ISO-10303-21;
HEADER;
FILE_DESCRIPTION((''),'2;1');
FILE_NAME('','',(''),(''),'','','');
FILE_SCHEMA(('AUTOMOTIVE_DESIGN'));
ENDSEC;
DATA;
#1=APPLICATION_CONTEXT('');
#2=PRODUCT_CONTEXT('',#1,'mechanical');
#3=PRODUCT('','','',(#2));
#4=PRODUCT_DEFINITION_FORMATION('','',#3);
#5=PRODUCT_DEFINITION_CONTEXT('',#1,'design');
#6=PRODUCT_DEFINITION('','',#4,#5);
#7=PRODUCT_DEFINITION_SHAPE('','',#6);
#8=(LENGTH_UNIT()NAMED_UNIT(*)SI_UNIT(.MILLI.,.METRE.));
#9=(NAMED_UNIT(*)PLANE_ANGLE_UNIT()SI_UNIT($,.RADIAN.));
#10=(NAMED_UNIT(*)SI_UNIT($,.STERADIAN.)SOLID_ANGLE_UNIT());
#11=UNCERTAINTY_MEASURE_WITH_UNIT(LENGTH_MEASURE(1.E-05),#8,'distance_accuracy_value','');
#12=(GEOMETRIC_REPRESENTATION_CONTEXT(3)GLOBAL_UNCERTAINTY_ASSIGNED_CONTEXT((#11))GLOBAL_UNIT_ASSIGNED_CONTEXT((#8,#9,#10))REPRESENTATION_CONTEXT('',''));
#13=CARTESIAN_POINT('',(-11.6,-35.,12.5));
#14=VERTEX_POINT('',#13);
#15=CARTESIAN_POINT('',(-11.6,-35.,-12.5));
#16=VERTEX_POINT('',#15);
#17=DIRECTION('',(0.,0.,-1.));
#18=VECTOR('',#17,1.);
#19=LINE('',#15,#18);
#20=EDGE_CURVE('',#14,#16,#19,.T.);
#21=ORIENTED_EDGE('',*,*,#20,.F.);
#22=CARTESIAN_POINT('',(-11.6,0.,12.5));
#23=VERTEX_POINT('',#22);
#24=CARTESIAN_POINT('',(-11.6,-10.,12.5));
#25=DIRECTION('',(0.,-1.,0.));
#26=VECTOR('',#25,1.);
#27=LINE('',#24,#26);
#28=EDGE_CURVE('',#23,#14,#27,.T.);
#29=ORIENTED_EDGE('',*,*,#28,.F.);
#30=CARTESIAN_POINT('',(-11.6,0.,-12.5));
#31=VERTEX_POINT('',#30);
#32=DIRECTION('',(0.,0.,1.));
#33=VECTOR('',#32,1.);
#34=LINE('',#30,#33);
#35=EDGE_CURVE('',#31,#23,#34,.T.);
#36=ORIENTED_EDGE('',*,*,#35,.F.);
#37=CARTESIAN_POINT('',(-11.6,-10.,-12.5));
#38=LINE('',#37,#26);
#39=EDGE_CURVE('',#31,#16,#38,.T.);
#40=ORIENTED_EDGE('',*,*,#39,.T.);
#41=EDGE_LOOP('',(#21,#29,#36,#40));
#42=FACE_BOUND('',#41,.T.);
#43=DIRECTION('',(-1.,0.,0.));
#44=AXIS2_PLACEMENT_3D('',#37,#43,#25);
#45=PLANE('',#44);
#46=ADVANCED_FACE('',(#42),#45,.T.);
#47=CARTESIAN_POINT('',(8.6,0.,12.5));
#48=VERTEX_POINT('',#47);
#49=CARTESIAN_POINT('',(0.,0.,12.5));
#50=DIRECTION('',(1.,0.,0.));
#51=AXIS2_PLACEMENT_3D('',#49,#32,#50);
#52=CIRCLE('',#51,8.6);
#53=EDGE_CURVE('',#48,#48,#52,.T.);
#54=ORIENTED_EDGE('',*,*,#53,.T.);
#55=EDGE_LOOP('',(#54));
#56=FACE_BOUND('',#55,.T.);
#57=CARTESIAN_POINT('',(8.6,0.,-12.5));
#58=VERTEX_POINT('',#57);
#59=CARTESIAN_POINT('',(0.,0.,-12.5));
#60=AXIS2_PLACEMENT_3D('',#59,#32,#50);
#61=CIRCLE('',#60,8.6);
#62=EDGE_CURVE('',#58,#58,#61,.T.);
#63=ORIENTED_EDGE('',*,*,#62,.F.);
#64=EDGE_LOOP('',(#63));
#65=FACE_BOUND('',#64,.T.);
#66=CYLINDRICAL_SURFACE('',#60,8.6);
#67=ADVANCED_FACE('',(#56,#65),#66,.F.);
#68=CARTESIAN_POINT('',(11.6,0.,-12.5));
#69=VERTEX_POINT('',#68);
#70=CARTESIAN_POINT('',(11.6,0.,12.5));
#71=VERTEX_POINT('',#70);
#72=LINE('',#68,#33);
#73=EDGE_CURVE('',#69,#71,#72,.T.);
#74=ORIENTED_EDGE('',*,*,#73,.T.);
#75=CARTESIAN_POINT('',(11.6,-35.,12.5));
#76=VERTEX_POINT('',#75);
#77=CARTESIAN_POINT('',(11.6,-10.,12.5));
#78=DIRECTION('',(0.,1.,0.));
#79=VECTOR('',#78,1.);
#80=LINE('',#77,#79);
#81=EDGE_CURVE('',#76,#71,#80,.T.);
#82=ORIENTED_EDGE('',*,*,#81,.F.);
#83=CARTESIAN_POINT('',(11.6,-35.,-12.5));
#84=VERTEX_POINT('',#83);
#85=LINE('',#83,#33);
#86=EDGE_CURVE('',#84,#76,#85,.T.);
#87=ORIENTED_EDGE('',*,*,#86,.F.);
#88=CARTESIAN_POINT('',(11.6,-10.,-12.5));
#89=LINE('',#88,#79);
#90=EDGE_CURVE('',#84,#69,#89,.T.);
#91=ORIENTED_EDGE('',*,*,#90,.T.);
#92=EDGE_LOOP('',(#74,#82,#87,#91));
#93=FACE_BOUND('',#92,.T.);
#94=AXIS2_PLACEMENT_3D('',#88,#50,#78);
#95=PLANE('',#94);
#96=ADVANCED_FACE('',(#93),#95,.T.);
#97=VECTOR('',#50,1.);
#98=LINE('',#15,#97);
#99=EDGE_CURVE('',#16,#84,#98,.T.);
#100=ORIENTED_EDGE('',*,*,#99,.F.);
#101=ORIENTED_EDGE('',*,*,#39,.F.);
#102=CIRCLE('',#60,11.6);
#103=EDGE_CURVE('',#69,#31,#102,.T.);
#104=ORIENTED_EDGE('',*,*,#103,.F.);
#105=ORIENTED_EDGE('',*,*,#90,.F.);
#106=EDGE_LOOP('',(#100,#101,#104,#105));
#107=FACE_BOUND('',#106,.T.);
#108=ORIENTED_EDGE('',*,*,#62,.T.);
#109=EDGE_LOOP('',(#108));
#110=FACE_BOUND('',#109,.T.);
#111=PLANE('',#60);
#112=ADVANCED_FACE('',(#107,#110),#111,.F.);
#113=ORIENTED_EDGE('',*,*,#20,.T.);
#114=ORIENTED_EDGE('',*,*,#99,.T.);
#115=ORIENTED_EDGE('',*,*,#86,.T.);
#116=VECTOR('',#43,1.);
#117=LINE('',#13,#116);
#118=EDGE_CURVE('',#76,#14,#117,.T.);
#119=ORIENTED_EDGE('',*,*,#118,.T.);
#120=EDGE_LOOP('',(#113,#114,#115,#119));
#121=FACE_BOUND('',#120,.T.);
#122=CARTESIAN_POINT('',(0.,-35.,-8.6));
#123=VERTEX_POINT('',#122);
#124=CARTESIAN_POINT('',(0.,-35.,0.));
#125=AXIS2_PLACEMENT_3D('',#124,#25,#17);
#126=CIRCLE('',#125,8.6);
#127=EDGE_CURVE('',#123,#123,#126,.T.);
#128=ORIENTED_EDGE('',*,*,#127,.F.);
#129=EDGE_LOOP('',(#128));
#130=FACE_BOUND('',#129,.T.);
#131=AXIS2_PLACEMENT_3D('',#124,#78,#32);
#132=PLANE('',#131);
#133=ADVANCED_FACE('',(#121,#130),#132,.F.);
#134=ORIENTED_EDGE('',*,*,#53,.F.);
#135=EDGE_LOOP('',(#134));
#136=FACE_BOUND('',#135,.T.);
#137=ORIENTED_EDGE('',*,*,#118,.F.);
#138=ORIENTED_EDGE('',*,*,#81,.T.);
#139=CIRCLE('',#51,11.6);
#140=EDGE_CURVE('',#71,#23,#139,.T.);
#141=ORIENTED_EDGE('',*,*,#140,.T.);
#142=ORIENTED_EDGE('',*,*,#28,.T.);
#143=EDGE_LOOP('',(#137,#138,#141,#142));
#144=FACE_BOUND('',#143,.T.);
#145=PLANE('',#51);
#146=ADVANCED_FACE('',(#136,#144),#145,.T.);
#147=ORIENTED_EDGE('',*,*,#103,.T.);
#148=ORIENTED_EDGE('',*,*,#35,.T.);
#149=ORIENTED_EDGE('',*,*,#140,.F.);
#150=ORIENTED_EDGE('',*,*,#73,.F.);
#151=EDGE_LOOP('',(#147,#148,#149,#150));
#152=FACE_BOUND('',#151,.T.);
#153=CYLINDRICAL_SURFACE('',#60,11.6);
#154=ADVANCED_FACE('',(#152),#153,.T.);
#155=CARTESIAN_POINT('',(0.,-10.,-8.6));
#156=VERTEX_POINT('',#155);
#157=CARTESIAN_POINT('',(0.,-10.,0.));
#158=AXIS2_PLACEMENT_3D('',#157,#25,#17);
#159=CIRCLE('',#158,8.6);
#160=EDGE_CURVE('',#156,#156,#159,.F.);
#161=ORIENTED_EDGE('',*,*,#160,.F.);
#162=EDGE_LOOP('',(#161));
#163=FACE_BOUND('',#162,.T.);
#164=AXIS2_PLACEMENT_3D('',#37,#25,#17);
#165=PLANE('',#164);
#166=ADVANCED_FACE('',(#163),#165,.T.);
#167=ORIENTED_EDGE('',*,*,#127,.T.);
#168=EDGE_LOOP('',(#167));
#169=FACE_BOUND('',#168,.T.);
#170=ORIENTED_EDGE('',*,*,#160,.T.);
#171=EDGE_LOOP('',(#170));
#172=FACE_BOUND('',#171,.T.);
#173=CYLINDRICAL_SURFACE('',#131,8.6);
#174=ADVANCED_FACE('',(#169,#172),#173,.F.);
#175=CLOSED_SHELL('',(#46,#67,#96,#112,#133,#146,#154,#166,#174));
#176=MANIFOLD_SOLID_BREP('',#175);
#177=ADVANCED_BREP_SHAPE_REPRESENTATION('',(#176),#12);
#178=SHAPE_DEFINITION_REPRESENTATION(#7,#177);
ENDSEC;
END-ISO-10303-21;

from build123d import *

# Parameters (mm, degrees)
CROQUIS1_R              = 8.6
SALIENTE_EXTRUIR1_DEPTH = 12.5
CROQUIS3_W              = 23.2
CROQUIS3_H              = 25
CROQUIS3_R              = 8.6
SALIENTE_EXTRUIR2_DEPTH = 25


with BuildPart() as part:
    # Croquis1 → Saliente-Extruir1 (new, symmetric)
    with BuildSketch(Plane.XY):
        with BuildLine():
            Line((-11.6, -10), (11.6, -10))
            Line((11.6, -10), (11.6, 0))
            ThreePointArc((11.6, 0), (0, 11.6), (-11.6, 0))
            Line((-11.6, 0), (-11.6, -10))
        make_face()
        Circle(CROQUIS1_R, mode=Mode.SUBTRACT)
    extrude(amount=SALIENTE_EXTRUIR1_DEPTH, both=True)

    # Croquis3 → Saliente-Extruir2 (add)
    with BuildSketch(Plane(origin=(0, -10, 0), x_dir=(-1, 0, 0), z_dir=(0, -1, 0))):
        Rectangle(CROQUIS3_W, CROQUIS3_H)
        with Locations(Location((0, 0, 0), (0, 0, 90))):
            Circle(CROQUIS3_R, mode=Mode.SUBTRACT)
    extrude(amount=SALIENTE_EXTRUIR2_DEPTH)


solid = part.part
